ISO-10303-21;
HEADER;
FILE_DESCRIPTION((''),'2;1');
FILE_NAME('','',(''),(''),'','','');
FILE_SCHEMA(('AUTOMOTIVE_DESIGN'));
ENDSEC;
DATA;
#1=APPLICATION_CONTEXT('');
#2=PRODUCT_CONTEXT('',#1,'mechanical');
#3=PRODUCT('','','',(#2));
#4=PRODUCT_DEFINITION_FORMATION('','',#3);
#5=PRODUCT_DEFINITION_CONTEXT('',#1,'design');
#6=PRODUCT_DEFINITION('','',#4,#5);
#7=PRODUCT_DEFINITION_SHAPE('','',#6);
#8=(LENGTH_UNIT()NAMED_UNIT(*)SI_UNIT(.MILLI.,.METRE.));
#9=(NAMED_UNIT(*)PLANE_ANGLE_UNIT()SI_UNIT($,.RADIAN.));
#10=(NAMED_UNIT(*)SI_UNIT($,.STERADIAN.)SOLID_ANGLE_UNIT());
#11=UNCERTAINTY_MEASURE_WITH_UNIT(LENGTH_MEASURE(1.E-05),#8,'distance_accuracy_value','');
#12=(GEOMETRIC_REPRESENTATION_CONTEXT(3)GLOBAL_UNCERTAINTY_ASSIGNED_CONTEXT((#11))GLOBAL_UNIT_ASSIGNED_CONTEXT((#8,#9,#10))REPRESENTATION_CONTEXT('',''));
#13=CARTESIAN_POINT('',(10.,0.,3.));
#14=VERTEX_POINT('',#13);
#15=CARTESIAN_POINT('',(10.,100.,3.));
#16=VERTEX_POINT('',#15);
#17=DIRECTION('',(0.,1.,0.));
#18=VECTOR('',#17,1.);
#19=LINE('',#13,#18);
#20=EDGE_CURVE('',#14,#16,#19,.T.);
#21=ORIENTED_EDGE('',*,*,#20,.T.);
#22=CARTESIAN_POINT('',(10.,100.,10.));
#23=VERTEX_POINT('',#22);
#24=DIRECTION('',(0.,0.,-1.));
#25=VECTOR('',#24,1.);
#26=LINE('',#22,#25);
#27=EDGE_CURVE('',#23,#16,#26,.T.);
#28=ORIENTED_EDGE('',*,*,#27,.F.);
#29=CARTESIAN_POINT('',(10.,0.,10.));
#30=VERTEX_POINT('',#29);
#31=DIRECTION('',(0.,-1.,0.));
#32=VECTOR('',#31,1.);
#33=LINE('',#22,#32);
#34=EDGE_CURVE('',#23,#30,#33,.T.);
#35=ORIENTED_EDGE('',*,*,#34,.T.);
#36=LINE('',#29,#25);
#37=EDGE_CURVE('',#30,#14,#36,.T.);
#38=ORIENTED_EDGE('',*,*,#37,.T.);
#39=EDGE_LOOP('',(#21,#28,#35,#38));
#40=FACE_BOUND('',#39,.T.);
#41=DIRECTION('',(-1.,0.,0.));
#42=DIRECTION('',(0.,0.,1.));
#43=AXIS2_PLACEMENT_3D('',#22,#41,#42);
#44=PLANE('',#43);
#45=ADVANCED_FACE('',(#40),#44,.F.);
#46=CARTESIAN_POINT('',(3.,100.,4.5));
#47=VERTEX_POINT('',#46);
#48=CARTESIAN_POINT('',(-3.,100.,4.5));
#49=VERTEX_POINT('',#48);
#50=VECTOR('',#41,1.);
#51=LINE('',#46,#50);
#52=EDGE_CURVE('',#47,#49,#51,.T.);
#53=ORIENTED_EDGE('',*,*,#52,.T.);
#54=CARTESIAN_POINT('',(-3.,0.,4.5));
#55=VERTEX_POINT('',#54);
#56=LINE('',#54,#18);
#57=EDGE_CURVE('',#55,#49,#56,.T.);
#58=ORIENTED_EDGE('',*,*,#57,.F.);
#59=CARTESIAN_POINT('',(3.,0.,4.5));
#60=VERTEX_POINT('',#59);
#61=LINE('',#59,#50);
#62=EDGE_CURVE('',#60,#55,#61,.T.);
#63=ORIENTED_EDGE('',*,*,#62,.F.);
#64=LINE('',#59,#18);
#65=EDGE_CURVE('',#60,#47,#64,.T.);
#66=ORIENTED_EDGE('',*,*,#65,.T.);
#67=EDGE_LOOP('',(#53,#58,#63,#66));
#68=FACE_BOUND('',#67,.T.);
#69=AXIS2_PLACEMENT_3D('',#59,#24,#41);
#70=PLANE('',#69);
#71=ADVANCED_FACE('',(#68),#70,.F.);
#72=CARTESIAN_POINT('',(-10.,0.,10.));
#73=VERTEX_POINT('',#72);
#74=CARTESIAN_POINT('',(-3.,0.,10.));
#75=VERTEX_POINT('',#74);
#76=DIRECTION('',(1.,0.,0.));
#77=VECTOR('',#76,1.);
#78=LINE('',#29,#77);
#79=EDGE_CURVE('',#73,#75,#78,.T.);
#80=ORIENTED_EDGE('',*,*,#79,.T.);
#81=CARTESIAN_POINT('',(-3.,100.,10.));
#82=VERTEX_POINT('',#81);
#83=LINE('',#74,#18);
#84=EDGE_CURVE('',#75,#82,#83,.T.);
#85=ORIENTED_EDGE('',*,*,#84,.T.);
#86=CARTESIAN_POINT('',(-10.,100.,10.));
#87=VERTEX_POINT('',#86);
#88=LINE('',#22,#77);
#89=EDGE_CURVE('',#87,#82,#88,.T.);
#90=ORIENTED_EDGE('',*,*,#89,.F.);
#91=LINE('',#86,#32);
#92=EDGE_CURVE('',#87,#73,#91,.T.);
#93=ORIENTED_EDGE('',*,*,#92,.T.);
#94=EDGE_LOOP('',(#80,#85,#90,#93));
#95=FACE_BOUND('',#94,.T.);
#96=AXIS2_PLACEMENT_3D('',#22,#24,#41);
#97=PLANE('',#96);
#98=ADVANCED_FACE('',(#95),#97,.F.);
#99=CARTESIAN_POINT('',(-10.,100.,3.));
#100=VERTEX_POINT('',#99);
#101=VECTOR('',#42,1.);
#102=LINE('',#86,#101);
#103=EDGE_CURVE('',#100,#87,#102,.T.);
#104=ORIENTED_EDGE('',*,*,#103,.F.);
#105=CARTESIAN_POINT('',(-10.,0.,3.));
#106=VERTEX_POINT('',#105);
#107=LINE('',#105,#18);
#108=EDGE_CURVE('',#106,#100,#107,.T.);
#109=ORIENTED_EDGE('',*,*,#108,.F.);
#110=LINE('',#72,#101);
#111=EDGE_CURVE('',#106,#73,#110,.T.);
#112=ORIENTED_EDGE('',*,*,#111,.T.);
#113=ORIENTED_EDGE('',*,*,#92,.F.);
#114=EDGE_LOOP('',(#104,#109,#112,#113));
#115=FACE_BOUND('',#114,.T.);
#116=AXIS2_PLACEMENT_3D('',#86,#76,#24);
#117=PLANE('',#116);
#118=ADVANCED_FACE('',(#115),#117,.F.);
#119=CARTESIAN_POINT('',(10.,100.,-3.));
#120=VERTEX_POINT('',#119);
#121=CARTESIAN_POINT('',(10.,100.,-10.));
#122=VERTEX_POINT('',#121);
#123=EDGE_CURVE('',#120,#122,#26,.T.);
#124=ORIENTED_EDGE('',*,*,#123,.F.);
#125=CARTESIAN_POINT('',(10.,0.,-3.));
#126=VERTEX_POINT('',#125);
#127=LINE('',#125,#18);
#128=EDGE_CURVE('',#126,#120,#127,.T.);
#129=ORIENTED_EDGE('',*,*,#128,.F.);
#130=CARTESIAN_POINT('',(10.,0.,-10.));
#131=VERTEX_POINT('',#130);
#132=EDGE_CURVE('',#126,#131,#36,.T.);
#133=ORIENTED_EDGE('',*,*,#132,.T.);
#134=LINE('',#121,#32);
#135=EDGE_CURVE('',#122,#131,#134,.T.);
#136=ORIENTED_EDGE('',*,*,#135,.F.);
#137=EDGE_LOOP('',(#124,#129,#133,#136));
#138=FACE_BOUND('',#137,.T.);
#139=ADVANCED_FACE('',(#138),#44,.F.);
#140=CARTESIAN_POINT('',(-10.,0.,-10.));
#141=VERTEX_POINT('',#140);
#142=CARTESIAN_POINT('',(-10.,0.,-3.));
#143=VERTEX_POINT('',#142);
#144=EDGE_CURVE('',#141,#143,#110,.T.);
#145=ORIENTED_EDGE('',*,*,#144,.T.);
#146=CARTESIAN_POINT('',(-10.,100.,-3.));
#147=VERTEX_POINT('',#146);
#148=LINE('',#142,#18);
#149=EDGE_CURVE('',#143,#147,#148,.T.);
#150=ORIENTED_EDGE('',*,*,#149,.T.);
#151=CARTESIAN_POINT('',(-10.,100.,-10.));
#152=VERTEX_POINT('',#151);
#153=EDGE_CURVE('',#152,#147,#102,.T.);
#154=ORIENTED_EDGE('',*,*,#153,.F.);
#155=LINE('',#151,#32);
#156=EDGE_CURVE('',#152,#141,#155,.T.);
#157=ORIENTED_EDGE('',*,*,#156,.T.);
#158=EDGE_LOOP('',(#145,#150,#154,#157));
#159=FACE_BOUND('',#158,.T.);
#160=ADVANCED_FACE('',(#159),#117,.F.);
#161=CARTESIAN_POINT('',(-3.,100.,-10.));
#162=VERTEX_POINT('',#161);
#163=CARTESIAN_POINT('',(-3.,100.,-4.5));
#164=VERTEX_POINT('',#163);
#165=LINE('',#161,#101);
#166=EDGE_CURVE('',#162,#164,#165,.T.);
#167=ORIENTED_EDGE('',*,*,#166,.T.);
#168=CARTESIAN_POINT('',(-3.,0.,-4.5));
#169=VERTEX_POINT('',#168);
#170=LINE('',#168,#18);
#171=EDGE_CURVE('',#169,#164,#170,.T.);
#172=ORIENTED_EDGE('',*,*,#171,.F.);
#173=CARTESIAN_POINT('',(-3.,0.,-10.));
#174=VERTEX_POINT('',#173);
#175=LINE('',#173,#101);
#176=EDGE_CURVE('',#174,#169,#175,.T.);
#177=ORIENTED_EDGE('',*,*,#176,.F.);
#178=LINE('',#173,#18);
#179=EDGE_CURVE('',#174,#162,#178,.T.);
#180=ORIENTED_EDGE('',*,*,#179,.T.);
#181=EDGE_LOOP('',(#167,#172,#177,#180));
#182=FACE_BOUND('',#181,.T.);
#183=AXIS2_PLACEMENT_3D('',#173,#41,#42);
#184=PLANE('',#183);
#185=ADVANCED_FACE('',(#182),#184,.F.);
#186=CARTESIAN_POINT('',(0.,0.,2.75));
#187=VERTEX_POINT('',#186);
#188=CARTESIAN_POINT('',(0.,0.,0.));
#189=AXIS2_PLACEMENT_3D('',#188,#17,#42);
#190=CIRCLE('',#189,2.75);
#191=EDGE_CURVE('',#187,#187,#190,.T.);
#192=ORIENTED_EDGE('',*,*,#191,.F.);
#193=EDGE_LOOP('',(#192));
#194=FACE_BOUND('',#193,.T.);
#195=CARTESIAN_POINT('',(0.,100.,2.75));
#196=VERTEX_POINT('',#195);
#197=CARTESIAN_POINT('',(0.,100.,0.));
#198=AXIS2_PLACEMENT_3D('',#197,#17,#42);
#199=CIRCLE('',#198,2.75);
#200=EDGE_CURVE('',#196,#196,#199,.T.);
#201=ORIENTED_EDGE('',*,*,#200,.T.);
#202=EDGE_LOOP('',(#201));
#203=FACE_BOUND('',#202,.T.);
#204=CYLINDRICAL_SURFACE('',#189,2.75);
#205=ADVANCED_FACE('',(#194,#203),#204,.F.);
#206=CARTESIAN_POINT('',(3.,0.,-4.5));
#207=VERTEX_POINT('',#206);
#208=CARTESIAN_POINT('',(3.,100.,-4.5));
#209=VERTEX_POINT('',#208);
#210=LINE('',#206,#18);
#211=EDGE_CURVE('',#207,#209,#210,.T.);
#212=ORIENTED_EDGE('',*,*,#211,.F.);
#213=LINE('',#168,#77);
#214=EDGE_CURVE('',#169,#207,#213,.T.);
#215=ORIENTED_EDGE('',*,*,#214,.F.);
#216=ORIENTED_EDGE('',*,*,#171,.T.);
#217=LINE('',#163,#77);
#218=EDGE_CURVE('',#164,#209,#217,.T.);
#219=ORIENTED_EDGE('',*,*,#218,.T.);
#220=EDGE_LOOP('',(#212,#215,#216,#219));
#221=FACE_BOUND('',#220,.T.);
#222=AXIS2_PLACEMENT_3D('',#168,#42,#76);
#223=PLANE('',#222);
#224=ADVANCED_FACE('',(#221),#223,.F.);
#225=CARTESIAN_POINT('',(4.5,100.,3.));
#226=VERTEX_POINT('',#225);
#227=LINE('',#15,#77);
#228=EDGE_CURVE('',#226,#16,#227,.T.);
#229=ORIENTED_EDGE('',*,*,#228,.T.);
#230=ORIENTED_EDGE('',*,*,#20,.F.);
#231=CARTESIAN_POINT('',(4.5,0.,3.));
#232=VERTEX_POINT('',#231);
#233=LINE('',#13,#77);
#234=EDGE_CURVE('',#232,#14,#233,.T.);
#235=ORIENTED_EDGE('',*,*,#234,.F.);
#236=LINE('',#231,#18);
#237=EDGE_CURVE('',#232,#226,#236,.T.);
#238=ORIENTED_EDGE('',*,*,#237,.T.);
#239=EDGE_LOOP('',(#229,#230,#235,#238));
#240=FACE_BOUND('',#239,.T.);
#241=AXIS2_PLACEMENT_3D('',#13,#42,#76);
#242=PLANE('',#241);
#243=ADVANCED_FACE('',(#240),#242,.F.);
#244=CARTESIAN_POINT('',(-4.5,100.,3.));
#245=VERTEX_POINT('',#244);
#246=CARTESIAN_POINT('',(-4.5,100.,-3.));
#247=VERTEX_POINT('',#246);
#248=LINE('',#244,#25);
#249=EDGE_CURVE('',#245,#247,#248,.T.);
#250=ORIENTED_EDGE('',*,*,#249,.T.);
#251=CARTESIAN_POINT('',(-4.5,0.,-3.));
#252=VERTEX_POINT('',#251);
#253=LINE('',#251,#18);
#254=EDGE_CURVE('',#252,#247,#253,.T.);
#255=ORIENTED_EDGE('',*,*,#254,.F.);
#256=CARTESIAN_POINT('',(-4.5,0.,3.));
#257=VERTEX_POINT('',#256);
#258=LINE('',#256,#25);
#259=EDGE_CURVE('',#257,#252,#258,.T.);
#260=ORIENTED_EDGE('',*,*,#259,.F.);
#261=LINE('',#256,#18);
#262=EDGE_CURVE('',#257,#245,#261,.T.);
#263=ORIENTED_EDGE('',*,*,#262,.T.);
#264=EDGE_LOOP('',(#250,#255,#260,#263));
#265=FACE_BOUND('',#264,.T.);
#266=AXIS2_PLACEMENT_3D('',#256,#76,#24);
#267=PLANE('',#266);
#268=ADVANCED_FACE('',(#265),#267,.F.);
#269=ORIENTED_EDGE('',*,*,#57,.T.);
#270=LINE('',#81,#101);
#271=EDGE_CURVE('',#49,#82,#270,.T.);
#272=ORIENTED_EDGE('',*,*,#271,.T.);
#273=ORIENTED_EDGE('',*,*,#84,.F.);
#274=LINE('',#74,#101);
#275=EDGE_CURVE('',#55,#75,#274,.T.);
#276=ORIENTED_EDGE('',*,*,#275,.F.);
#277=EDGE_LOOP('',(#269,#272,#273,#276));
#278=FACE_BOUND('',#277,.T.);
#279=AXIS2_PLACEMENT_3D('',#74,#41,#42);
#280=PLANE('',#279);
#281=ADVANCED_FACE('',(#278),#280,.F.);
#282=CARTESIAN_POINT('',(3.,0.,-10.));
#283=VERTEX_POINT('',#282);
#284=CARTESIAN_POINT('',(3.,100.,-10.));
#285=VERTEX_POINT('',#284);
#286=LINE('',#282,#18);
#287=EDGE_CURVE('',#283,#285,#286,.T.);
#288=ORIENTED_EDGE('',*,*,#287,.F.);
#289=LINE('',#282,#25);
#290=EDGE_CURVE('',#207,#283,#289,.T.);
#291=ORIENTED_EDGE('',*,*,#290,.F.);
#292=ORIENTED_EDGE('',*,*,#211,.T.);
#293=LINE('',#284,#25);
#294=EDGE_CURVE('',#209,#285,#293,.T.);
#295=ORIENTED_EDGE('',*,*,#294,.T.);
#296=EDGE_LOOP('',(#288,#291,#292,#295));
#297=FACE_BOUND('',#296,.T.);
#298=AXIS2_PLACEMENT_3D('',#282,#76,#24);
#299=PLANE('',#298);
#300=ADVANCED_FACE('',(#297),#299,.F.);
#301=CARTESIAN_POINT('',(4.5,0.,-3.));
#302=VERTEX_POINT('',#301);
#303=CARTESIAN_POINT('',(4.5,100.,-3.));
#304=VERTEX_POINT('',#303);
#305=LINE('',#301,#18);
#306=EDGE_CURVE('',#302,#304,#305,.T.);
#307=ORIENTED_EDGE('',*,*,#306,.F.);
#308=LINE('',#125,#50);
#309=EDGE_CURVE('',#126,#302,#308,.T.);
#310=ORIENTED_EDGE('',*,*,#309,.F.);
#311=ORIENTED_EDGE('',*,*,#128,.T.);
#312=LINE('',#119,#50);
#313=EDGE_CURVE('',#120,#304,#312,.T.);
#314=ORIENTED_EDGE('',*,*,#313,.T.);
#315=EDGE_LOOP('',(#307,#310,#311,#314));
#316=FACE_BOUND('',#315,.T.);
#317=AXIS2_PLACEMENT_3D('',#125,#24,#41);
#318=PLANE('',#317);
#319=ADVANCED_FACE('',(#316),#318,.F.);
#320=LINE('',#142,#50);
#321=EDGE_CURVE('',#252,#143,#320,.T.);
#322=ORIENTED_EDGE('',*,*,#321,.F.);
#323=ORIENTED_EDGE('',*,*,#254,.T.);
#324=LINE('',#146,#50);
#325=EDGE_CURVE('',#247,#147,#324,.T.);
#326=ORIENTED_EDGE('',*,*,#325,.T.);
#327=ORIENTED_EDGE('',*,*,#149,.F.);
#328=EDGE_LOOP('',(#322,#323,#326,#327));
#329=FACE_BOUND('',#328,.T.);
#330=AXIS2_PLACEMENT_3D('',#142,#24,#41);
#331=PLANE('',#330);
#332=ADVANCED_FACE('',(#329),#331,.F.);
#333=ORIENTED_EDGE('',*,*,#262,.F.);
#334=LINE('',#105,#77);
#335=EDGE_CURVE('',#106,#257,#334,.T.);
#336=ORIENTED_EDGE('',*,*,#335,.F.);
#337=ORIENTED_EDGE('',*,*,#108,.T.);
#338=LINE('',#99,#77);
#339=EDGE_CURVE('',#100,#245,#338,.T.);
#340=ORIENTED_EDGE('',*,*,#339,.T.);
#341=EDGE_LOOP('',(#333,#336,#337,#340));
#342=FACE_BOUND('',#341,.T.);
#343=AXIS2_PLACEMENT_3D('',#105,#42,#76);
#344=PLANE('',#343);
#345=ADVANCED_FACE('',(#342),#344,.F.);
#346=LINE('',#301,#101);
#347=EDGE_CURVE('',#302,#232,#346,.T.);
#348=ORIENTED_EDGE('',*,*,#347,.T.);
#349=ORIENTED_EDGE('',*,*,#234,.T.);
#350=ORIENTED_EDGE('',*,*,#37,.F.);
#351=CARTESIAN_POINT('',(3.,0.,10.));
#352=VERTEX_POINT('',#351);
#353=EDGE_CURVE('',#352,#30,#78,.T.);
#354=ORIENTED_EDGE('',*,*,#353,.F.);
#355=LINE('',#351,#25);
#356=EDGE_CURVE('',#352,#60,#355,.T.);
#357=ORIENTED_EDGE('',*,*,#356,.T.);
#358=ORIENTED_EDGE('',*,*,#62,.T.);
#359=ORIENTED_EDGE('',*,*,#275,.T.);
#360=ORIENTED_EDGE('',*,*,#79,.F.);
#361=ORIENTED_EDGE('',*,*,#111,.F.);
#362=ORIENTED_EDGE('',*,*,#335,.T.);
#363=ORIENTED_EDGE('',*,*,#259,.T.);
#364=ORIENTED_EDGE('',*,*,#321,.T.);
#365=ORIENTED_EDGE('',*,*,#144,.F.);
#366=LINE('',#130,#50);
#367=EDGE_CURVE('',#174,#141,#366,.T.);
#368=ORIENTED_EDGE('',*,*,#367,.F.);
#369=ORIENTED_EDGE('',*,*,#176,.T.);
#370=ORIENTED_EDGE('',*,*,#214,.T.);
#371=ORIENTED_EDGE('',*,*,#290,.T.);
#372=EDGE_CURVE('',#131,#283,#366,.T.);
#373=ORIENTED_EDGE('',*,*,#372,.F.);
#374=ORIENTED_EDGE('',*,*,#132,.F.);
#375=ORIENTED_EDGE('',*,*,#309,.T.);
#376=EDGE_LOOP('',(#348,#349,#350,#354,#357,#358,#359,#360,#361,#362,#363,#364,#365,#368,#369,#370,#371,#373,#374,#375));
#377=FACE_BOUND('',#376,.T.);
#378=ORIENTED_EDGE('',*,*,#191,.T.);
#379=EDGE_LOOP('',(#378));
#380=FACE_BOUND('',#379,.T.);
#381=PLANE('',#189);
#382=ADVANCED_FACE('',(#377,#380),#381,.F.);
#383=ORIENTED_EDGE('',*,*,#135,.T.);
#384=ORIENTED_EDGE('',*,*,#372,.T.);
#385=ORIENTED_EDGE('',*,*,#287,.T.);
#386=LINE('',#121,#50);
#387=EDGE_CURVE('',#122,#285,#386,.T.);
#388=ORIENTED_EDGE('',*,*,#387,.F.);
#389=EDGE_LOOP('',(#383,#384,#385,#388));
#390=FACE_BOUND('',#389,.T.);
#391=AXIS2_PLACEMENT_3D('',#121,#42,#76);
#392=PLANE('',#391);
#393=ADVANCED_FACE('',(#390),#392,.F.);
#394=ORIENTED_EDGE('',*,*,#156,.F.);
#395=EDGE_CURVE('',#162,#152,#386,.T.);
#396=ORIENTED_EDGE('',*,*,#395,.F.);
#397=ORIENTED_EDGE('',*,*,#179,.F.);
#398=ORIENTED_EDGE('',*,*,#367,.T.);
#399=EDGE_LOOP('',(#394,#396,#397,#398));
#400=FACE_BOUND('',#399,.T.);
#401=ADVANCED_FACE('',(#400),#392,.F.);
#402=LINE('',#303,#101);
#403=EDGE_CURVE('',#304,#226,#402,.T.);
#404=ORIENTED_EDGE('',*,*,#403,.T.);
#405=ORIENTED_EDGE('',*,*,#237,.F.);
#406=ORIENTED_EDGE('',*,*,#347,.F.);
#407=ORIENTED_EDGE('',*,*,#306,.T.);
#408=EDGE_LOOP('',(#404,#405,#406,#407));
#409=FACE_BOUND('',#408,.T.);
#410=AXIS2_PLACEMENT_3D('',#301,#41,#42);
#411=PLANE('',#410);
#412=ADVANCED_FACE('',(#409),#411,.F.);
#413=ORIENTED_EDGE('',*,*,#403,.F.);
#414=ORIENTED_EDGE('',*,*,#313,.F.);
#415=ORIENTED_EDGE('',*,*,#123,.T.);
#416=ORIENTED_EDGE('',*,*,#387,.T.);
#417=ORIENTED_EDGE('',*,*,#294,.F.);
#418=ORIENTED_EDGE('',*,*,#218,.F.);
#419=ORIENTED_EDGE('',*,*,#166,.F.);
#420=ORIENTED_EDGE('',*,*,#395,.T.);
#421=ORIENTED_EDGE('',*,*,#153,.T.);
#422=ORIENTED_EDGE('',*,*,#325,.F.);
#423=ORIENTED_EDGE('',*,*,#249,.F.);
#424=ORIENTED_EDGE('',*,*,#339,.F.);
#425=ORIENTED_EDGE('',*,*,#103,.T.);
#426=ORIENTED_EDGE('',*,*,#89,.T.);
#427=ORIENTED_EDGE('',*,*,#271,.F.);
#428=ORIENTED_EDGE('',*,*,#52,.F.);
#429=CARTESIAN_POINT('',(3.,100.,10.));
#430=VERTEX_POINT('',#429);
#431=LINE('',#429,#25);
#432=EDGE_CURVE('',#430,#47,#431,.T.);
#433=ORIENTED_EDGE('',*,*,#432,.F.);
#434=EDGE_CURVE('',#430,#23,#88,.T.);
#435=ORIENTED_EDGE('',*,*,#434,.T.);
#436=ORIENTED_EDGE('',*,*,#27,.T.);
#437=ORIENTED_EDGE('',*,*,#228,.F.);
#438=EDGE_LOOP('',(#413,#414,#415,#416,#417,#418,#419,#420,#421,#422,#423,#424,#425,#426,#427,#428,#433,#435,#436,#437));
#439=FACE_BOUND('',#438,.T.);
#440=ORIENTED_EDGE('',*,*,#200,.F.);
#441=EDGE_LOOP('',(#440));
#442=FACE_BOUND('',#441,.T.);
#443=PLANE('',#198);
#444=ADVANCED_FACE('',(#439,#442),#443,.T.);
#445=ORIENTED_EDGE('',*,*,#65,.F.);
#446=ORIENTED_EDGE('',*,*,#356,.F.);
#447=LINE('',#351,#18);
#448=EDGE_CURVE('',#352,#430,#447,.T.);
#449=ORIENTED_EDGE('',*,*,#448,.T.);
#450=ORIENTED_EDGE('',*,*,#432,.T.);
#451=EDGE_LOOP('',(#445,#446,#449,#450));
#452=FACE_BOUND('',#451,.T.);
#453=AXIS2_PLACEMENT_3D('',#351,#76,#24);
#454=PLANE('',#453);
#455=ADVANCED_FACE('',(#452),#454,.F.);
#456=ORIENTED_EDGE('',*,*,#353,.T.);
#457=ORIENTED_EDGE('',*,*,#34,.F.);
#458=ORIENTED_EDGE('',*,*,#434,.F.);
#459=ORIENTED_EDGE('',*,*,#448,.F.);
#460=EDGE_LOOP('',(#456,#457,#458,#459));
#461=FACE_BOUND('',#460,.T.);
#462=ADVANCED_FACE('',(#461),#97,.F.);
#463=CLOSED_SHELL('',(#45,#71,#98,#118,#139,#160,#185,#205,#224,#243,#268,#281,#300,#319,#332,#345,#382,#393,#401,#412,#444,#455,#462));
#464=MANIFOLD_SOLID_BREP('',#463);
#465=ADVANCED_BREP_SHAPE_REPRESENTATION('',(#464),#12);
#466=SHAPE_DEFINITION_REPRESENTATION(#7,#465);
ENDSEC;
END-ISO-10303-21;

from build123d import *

# Parameters (mm, degrees)
SKETCH1_W    = 20
SKETCH1_H    = 20
BODY_DEPTH   = 100
SKETCH2_R    = 2.75
SKETCH2_W    = 6
SKETCH2_H    = 5.5
SKETCH2_W_2  = 5.5
SKETCH2_H_2  = 6
PROFIL_DEPTH = 101.995049384


with BuildPart() as part:
    # Sketch1 → Body (new body)
    with BuildSketch(Plane(origin=(0, 0, 0), x_dir=(1, 0, 0), z_dir=(0, 1, 0))):
        Rectangle(SKETCH1_W, SKETCH1_H)
    extrude(amount=BODY_DEPTH)

    # Sketch2 → Profil (cut, through all)
    with BuildSketch(Plane(origin=(0, 100, 0), x_dir=(1, 0, 0), z_dir=(0, 1, 0))):
        with Locations(Location((0, 0, 0), (0, 0, 270))):
            Circle(SKETCH2_R)
        with Locations((0, 7.25)):
            Rectangle(SKETCH2_W, SKETCH2_H)
        with Locations((7.25, 0)):
            Rectangle(SKETCH2_W_2, SKETCH2_H_2)
        with Locations((0, -7.25)):
            Rectangle(SKETCH2_W, SKETCH2_H)
        with Locations((-7.25, 0)):
            Rectangle(SKETCH2_W_2, SKETCH2_H_2)
    extrude(amount=-PROFIL_DEPTH, mode=Mode.SUBTRACT)


solid = part.part
